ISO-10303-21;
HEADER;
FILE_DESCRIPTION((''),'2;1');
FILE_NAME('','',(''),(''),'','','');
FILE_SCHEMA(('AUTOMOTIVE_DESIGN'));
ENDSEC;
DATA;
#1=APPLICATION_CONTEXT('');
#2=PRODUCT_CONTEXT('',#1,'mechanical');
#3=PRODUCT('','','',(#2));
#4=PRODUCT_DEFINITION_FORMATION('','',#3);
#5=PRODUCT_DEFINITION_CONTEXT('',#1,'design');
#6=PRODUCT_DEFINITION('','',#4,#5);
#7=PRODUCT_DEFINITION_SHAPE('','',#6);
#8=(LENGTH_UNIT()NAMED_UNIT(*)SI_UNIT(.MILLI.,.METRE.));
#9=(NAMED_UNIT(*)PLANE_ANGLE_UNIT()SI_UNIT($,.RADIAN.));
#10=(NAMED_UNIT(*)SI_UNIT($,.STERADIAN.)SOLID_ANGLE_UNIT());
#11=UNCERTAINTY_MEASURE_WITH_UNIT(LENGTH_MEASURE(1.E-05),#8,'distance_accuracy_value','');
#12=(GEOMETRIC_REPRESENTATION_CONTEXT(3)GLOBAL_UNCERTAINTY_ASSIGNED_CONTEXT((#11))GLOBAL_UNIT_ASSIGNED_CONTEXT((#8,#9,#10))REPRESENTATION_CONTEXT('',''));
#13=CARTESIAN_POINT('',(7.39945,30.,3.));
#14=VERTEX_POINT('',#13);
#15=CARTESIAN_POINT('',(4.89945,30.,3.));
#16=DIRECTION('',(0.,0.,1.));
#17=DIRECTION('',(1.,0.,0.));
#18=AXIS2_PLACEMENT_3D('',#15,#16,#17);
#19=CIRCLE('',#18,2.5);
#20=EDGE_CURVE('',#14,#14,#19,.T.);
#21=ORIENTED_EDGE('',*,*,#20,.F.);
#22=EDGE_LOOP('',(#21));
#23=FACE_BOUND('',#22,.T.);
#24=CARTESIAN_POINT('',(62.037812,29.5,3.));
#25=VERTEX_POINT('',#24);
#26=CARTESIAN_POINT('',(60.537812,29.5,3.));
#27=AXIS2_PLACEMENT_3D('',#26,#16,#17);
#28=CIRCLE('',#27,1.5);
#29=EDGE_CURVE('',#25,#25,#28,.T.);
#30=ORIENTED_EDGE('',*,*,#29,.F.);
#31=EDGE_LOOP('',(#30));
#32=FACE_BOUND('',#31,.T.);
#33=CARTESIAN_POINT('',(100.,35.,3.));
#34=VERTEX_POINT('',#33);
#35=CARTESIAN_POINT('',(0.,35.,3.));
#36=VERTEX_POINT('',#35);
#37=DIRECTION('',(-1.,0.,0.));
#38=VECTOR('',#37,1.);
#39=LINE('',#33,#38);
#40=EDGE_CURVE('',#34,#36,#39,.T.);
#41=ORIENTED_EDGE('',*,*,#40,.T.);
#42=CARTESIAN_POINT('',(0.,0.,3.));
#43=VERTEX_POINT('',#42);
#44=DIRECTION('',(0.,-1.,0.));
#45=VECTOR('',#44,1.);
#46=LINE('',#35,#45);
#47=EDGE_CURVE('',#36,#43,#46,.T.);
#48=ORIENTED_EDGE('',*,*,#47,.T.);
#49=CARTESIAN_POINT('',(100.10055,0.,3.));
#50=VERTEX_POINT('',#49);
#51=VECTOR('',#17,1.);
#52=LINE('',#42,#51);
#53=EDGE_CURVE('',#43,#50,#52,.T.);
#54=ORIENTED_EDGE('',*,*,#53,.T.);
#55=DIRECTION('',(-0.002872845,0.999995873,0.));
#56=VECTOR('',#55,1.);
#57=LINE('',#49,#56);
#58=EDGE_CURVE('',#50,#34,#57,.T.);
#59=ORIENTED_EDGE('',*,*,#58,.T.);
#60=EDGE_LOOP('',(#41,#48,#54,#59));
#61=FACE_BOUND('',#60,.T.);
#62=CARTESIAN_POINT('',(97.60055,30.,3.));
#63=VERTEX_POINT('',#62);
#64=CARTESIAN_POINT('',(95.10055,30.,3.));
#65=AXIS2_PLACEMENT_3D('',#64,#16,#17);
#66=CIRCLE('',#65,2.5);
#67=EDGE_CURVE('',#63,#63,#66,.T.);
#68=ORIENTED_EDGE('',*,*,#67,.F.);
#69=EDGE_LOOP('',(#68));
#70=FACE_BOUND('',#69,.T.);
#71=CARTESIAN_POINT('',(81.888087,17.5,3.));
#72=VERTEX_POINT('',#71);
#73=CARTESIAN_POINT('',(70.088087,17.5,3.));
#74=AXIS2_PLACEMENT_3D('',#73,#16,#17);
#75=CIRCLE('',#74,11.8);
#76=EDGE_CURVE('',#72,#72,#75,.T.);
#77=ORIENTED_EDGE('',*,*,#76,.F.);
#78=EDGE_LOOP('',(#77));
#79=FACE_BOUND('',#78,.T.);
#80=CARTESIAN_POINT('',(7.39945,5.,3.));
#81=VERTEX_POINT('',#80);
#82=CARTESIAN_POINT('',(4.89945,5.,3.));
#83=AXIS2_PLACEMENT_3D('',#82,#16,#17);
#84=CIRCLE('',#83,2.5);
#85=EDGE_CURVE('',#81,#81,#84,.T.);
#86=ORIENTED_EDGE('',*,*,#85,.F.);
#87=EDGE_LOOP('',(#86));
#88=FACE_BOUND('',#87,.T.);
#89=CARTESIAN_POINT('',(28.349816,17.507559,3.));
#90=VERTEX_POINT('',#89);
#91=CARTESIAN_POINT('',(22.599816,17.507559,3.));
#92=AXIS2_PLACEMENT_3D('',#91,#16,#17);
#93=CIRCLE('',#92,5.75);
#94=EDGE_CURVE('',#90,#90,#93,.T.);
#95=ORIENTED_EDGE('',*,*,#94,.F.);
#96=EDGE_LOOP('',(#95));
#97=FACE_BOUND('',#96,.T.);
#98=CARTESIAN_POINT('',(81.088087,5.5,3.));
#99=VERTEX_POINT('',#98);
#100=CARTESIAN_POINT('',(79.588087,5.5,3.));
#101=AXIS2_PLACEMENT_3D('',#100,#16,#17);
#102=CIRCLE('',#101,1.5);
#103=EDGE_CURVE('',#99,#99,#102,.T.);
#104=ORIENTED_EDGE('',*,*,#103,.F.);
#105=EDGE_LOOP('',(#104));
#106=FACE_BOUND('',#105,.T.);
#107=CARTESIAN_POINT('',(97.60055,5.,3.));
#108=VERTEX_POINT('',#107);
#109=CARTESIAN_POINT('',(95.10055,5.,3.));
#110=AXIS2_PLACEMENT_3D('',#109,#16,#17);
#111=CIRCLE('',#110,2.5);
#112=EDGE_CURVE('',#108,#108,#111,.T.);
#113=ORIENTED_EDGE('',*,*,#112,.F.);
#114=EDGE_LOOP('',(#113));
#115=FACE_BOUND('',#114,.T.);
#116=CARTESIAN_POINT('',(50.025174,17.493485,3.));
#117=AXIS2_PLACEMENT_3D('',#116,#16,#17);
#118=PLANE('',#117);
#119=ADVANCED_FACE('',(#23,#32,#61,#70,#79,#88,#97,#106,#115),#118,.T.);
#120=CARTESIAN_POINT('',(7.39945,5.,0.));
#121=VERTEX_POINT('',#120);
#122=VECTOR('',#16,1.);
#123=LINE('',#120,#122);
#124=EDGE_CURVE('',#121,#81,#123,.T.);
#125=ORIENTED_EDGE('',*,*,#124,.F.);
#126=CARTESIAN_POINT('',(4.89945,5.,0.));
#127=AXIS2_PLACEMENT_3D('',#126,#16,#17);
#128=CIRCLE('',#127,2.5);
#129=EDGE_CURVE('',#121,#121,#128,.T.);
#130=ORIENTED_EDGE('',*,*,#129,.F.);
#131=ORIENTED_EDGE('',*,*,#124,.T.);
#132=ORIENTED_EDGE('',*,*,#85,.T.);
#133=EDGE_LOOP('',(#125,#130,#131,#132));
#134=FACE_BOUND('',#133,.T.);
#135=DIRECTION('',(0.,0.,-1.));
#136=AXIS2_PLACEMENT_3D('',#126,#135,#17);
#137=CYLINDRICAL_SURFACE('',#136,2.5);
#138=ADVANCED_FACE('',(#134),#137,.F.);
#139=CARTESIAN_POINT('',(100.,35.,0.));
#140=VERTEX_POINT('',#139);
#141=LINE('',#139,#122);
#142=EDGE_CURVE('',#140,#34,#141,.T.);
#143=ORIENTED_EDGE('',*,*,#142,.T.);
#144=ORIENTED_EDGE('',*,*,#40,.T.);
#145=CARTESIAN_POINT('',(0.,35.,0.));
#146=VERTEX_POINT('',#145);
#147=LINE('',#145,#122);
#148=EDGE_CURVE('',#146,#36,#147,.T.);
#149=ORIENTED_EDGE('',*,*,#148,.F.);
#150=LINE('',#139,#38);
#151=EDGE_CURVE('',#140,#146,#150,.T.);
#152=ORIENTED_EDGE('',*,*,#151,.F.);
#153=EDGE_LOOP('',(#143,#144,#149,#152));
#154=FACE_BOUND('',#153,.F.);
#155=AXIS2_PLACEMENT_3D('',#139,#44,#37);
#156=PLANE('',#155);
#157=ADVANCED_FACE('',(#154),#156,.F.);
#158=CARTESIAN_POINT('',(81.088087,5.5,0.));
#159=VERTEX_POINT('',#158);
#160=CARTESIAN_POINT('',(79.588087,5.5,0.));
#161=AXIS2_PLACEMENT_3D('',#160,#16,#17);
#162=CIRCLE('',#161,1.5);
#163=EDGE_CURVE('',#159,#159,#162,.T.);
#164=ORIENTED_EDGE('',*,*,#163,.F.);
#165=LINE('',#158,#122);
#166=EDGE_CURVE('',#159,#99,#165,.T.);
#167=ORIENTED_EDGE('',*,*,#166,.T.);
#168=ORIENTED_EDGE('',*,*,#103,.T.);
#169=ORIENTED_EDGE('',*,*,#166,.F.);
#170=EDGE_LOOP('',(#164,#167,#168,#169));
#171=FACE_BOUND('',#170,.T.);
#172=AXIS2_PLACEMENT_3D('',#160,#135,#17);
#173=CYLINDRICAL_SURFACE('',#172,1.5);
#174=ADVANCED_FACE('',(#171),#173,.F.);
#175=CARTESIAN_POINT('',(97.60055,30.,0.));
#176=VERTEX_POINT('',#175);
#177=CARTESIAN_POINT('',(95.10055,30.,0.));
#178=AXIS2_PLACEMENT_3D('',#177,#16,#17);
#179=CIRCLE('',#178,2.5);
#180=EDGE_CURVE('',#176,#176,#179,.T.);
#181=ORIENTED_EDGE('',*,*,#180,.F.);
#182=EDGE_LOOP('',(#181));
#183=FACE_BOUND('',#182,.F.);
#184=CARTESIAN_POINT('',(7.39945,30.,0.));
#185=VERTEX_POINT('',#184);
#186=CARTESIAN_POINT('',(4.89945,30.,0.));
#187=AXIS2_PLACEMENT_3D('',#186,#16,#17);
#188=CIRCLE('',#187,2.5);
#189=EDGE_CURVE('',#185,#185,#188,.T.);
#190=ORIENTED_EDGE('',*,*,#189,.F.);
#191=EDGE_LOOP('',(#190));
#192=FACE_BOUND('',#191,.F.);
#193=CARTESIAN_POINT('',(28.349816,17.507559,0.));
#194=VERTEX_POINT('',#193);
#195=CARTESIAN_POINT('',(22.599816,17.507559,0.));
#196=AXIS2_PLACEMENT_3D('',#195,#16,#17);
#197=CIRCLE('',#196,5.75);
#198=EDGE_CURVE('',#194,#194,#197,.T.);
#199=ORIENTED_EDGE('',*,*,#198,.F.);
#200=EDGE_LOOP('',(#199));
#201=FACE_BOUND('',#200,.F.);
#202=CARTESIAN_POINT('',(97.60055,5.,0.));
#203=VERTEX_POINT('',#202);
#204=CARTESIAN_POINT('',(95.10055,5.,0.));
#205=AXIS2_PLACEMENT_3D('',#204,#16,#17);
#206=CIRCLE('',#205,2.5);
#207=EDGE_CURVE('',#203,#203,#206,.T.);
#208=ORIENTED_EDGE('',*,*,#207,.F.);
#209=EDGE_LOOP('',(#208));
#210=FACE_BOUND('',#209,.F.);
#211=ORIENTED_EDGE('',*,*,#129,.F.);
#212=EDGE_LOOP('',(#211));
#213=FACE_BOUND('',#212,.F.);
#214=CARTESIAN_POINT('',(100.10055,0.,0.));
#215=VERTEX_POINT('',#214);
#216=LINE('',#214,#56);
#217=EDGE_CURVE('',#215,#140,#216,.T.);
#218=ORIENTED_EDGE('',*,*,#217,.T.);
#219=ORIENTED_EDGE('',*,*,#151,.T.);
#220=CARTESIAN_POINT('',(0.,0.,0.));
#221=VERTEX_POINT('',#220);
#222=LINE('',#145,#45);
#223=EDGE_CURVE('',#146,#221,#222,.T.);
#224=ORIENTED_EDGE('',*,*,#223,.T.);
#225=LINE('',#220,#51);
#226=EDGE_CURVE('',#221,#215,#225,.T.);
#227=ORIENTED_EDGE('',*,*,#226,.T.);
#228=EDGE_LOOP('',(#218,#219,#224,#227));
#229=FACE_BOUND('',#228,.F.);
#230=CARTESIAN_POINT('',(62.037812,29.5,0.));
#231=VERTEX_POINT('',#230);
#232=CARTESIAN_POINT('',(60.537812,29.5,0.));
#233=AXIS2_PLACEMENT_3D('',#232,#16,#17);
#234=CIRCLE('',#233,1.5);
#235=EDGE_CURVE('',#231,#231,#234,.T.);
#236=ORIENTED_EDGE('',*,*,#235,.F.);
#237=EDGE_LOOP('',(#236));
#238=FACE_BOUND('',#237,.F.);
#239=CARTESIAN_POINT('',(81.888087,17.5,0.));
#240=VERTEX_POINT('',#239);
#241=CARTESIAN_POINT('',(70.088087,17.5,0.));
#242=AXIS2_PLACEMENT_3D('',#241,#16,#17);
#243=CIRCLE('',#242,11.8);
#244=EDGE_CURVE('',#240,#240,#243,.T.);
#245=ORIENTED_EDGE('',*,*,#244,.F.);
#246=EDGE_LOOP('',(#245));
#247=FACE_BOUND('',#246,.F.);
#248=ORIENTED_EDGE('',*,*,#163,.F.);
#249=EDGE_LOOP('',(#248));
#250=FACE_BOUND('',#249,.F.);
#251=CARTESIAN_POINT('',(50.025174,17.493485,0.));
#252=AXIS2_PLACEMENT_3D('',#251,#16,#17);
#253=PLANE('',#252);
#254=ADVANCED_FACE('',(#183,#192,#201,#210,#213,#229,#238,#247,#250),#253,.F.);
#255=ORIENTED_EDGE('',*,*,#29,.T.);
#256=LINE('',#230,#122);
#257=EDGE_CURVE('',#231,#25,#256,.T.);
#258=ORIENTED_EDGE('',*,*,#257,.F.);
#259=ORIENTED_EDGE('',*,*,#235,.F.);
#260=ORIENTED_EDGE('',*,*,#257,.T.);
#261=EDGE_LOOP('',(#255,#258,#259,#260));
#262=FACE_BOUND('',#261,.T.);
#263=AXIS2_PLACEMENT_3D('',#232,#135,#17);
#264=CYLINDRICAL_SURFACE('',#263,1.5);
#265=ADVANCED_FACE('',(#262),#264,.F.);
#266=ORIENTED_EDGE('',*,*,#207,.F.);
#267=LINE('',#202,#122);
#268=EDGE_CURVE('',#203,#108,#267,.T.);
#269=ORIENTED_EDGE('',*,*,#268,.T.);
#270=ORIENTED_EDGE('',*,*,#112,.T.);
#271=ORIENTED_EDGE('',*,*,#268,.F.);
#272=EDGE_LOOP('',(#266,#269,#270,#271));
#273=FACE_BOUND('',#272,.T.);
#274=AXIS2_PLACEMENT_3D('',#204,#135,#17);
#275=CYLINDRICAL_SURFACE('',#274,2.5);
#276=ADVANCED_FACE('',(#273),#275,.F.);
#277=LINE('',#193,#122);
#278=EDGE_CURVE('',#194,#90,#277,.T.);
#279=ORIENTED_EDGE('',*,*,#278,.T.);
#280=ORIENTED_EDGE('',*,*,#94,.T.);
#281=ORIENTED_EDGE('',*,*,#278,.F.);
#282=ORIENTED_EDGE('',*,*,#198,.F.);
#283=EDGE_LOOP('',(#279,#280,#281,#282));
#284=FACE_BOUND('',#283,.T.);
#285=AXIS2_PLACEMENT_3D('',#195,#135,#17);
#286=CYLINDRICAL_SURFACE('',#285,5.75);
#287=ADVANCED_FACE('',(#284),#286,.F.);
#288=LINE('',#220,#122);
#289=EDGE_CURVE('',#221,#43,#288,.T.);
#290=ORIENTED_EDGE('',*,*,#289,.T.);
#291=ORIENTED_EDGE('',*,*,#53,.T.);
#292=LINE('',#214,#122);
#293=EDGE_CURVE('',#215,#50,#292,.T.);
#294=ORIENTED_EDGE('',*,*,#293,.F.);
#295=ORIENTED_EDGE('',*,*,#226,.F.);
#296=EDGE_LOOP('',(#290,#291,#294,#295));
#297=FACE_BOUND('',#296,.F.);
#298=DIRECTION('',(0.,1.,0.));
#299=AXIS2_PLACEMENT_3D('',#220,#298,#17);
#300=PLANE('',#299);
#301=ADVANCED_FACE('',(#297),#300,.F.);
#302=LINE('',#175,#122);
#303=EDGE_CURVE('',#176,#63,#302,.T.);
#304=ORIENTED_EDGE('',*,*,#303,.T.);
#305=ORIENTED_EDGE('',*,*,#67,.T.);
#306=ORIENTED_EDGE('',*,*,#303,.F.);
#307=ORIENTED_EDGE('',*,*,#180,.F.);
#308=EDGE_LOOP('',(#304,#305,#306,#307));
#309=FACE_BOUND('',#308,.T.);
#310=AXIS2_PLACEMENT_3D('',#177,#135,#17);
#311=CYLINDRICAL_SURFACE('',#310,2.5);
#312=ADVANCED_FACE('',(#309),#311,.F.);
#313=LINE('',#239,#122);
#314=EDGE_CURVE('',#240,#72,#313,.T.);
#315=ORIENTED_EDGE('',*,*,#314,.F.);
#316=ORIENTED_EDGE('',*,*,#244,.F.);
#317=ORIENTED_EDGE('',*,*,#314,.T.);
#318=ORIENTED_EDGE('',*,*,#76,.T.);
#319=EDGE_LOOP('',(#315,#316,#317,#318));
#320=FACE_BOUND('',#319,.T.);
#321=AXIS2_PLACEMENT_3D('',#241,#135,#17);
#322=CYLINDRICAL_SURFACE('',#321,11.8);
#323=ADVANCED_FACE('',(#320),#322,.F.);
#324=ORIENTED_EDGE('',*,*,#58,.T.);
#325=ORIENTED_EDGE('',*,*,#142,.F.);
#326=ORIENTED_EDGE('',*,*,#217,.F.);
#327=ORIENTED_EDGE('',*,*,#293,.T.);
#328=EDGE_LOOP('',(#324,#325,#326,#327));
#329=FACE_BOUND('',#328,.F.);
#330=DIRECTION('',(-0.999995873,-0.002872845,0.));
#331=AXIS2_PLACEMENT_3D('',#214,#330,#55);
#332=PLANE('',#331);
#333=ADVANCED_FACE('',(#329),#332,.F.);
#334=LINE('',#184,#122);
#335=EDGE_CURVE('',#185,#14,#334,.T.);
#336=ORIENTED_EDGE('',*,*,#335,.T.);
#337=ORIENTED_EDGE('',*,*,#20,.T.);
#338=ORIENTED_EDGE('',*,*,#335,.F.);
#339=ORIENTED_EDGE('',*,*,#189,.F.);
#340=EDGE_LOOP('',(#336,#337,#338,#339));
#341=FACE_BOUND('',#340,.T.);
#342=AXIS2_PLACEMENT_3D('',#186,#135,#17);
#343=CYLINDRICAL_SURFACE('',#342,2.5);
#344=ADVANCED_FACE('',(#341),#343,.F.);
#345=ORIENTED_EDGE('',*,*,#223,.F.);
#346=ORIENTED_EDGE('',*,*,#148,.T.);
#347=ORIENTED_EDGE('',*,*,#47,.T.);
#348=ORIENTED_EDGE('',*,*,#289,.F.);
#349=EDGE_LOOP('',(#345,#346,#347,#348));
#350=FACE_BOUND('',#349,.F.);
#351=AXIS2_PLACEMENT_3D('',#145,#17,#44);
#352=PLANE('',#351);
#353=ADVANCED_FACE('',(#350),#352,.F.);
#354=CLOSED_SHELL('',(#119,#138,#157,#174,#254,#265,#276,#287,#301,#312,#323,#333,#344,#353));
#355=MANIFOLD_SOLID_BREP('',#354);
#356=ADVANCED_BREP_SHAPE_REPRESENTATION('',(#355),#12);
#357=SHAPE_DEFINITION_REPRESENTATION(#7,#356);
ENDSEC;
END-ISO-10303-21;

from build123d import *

# Parameters (mm, degrees)
F0_R     = 2.5
F0_R_2   = 1.5
F0_R_3   = 5.75
F0_R_4   = 11.8
F1_DEPTH = 3


with BuildPart() as f1:
    # F0 (on Top) → F1 (new body)
    with BuildSketch(Plane.XY):
        Polygon((100, 35), (0, 35), (0, 0), (100.10055, 0), align=None)
        with Locations((4.89945, 5)):
            Circle(F0_R, mode=Mode.SUBTRACT)
        with Locations((79.588087, 5.5)):
            Circle(F0_R_2, mode=Mode.SUBTRACT)
        with Locations((95.10055, 5)):
            Circle(F0_R, mode=Mode.SUBTRACT)
        with Locations((22.599816, 17.507559)):
            Circle(F0_R_3, mode=Mode.SUBTRACT)
        with Locations((4.89945, 30)):
            Circle(F0_R, mode=Mode.SUBTRACT)
        with Locations((70.088087, 17.5)):
            Circle(F0_R_4, mode=Mode.SUBTRACT)
        with Locations((60.537812, 29.5)):
            Circle(F0_R_2, mode=Mode.SUBTRACT)
        with Locations((95.10055, 30)):
            Circle(F0_R, mode=Mode.SUBTRACT)
    extrude(amount=F1_DEPTH)


solid = f1.part
